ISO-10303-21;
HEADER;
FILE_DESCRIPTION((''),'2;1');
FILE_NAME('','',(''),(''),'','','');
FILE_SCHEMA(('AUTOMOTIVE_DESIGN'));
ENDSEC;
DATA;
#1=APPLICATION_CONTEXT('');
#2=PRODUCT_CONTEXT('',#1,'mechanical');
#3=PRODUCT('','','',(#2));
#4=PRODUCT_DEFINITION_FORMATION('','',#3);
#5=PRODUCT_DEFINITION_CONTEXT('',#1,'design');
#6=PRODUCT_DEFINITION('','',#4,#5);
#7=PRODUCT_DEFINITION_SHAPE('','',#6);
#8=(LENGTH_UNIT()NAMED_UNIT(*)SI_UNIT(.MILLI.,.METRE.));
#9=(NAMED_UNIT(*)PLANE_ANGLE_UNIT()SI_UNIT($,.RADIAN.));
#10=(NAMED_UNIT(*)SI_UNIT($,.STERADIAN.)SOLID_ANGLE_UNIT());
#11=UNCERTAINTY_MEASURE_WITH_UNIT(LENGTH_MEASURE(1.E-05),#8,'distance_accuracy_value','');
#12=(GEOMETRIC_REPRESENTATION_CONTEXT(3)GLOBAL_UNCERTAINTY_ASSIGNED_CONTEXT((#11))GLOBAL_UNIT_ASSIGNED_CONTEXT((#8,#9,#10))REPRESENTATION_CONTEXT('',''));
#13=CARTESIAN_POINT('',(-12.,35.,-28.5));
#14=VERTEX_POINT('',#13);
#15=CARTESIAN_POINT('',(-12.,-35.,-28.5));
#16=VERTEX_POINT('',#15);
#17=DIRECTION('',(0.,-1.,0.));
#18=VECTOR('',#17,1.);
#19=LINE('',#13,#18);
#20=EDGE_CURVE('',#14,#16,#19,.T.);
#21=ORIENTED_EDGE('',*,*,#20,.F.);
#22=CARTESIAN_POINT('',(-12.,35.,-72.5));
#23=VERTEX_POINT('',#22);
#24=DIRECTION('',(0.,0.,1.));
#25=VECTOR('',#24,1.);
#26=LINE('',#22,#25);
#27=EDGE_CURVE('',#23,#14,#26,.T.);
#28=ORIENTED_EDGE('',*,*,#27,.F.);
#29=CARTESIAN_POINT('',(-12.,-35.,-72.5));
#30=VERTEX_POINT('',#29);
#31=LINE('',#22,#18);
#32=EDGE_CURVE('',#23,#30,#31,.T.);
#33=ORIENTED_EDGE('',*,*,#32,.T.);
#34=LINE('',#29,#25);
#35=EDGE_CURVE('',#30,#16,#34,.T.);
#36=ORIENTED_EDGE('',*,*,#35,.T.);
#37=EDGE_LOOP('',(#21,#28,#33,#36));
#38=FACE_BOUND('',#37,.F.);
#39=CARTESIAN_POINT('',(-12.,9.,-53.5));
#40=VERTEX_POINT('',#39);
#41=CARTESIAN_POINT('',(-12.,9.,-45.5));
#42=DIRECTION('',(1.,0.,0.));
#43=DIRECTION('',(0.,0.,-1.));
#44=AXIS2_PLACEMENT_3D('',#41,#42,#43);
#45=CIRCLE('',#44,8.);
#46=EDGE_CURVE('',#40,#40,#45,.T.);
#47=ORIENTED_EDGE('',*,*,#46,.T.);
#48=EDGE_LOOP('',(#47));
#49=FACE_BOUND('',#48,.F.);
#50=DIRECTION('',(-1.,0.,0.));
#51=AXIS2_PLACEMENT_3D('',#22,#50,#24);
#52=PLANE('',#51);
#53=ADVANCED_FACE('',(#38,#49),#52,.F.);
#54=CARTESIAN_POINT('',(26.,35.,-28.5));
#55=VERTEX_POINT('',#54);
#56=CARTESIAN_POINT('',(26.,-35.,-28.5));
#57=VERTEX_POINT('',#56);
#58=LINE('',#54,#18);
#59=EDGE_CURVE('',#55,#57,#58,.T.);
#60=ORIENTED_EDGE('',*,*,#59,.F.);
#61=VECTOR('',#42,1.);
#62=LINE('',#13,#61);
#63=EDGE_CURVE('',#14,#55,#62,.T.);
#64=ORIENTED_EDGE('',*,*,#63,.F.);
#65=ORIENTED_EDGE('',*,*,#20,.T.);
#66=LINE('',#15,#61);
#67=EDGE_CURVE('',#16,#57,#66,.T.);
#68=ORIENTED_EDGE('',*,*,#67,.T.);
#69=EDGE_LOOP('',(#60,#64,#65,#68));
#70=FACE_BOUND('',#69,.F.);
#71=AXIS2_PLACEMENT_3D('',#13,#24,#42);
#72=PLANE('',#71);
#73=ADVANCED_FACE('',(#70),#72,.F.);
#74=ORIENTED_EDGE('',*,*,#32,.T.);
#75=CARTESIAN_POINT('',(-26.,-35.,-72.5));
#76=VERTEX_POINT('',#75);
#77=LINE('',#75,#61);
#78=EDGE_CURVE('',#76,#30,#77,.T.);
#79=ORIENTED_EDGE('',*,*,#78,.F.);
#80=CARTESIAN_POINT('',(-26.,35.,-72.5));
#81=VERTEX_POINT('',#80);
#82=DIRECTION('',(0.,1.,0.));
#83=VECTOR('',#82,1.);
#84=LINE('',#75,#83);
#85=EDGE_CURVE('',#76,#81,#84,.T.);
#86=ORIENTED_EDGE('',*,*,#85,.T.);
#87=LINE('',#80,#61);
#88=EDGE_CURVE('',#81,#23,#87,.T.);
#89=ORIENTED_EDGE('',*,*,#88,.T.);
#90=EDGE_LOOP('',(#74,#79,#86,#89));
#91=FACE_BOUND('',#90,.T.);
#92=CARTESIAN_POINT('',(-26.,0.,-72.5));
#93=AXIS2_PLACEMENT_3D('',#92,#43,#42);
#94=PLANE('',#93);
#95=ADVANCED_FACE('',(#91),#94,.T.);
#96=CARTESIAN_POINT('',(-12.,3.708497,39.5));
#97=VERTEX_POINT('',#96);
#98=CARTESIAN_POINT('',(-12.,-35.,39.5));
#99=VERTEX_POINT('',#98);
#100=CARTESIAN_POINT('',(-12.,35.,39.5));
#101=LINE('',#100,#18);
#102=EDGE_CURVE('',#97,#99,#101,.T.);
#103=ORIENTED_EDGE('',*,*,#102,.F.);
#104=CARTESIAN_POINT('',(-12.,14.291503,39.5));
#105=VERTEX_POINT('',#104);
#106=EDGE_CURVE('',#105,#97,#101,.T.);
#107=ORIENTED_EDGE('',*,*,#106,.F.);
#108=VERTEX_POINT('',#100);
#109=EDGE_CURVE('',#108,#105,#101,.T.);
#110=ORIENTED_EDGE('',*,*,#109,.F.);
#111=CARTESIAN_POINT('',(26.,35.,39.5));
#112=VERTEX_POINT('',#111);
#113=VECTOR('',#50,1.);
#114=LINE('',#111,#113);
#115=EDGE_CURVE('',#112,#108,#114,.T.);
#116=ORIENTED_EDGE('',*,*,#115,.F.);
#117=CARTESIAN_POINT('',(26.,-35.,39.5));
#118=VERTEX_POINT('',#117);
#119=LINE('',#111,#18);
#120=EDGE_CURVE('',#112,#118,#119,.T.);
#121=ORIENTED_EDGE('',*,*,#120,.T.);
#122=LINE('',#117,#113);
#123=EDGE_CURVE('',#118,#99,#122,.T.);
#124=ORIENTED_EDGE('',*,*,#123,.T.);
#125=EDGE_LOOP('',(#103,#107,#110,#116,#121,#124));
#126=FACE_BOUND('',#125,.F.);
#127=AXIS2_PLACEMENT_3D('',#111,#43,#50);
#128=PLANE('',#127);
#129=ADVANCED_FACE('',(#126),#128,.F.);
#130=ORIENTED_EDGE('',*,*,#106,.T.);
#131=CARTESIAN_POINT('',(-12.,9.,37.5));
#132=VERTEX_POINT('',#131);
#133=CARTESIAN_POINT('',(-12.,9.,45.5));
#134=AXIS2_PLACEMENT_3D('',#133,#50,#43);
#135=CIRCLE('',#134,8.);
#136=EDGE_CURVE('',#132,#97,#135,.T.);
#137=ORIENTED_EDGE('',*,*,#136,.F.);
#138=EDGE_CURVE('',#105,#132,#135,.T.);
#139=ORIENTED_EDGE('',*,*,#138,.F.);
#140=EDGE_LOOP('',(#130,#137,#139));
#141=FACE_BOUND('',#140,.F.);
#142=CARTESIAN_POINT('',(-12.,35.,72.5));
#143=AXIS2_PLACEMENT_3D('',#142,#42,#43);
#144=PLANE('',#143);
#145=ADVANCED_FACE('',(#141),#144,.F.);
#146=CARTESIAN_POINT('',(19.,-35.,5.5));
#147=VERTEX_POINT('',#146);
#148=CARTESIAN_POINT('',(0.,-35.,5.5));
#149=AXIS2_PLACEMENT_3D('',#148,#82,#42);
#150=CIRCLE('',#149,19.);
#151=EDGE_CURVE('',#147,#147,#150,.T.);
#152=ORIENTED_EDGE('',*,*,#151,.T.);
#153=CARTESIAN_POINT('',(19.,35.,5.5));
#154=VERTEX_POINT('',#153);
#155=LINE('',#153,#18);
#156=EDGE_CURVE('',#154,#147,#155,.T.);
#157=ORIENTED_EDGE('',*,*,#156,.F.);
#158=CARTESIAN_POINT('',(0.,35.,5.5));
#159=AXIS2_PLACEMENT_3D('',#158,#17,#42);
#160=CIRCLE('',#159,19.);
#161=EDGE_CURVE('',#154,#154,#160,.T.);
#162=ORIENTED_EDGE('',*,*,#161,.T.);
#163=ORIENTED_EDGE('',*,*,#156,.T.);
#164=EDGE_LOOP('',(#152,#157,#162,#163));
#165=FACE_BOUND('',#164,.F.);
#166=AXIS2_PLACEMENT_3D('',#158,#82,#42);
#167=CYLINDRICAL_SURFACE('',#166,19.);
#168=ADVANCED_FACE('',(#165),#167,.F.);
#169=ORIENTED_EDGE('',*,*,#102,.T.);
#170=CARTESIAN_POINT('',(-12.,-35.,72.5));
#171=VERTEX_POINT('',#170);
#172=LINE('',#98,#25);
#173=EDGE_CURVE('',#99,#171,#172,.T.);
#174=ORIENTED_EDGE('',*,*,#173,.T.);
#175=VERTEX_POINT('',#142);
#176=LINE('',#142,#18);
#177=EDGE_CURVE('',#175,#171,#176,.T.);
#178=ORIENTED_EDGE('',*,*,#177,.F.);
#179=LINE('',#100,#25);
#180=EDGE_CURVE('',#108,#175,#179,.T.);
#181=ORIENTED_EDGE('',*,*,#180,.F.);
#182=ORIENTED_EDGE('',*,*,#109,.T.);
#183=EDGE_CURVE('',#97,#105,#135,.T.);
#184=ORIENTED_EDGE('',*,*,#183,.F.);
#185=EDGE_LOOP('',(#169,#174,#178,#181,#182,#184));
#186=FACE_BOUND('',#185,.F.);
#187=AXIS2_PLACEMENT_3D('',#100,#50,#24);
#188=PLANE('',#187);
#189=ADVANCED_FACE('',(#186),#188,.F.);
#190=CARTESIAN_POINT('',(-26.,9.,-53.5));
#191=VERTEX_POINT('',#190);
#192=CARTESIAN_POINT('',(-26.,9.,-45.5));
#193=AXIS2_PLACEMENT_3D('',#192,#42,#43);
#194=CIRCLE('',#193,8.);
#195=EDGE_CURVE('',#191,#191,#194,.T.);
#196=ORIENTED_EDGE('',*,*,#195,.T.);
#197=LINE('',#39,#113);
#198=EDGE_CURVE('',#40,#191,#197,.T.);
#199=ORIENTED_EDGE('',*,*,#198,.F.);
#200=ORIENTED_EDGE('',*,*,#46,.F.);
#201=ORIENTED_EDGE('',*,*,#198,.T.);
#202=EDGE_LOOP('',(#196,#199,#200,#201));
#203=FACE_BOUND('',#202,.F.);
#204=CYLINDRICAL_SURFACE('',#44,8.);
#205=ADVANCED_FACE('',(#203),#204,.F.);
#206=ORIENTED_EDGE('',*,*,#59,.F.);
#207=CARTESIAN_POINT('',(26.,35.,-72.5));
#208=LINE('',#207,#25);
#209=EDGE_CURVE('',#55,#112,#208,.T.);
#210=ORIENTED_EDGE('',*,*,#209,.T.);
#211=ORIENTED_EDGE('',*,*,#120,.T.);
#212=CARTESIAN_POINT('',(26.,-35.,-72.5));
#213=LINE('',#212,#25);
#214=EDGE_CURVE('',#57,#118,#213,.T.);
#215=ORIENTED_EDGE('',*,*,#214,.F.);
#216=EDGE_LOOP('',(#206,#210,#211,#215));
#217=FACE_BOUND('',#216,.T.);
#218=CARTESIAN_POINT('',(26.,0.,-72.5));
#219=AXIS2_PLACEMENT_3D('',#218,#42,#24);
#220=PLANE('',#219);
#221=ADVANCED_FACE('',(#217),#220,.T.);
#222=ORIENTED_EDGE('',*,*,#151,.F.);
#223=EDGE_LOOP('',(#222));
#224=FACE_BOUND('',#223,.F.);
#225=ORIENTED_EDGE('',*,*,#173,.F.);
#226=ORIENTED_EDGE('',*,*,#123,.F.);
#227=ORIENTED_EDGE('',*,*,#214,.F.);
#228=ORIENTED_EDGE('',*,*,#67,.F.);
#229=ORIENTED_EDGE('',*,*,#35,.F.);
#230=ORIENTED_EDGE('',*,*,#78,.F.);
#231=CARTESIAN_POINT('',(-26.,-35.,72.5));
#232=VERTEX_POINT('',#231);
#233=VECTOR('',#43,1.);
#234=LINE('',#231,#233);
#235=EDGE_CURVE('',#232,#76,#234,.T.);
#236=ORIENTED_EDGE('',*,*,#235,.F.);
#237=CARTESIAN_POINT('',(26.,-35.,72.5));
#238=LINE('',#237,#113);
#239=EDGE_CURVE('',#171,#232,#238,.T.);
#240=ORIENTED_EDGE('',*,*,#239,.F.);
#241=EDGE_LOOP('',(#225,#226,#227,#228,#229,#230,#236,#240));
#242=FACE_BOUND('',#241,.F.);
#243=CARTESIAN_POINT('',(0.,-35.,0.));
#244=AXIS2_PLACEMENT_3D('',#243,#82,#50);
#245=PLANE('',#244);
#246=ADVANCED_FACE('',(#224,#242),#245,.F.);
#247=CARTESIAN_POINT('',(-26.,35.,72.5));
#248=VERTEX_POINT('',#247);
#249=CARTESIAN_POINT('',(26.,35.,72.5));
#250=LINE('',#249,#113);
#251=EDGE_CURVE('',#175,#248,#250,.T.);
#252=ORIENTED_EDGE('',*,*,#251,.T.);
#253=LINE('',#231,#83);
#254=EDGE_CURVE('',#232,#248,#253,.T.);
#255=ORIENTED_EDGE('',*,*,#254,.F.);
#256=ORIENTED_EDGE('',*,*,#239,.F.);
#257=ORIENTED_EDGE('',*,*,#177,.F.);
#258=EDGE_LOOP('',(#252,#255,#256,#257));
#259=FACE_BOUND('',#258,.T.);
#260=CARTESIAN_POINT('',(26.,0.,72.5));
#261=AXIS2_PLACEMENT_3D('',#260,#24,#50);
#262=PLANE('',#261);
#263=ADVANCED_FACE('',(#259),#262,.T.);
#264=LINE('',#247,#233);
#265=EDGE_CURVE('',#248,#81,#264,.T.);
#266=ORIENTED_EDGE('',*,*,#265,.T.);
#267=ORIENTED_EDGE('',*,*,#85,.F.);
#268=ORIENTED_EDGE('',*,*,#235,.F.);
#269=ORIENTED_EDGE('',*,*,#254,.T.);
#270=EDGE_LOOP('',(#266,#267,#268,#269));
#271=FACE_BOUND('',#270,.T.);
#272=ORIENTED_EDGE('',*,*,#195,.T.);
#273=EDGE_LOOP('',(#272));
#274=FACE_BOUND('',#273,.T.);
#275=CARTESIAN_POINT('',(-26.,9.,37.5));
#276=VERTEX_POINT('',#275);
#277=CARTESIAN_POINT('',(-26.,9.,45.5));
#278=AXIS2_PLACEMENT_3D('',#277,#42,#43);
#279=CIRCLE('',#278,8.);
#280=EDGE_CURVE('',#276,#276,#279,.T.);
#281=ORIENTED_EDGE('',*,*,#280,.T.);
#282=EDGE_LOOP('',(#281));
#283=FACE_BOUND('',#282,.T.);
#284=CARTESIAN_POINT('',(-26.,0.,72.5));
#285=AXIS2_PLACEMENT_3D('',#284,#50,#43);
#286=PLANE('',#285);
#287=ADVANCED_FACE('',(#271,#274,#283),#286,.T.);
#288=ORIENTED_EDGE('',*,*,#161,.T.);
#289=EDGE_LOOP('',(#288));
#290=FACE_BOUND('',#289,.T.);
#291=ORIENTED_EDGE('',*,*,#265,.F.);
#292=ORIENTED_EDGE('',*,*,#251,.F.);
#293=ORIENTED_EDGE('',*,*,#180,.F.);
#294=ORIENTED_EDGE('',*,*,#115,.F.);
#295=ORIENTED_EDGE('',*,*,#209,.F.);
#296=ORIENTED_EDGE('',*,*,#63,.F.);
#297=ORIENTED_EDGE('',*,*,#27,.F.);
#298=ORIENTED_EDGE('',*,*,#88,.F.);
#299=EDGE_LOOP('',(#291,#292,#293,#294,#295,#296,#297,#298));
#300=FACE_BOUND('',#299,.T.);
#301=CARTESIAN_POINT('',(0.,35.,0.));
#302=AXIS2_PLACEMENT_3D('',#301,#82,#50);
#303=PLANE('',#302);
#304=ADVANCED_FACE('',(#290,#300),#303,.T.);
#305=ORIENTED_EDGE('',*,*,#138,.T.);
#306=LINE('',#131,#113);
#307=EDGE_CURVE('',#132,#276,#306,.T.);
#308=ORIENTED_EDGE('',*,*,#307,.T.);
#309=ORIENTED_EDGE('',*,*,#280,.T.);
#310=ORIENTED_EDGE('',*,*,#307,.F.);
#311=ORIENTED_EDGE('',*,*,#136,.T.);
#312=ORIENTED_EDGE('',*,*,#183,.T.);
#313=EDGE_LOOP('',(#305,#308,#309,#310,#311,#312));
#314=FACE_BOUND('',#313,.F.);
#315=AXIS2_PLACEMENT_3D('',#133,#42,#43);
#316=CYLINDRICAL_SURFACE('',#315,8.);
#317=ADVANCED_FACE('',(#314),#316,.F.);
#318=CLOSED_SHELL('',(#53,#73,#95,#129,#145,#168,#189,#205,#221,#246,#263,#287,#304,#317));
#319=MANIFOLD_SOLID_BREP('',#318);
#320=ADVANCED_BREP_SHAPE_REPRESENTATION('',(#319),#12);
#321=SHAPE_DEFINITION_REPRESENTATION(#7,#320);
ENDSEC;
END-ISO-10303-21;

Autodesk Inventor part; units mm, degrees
ref_plane "YZ Plane" through (0, 0, 0) normal (1, 0, 0) x (0, 1, 0)
ref_plane "XZ Plane" through (0, 0, 0) normal (0, 1, 0) x (-1, 0, 0)
ref_plane "XY Plane" through (0, 0, 0) normal (0, 0, 1) x (1, 0, 0)
sketch "Sketch1" plane through (0, 0, 0) normal (0, 1, 0) x (-1, 0, 0)
  line L0 (26, -72.5) -> (-26, -72.5)
  line L1 (-26, -72.5) -> (-26, 72.5)
  line L2 (-26, 72.5) -> (26, 72.5)
  line L3 (26, 72.5) -> (26, -72.5)
  line L4 (26, -72.5) -> (-26, 72.5) construction
  line L5 (-26, -72.5) -> (26, 72.5) construction
  point P0 (0, 0)
  dimension "d0" = 52
  dimension "d1" = 145
extrude "Extrusion1" add sketch "Sketch1" along normal mid plane 70
sketch "Sketch2" plane through (0, 35, 0) normal (0, 1, 0) x (1, 0, 0)
  line L0 (26, -72.5) -> (26, 72.5) projected
  line L1 (26, 72.5) -> (-12, 72.5)
  line L2 (26, 72.5) -> (-26, 72.5) projected
  line L3 (-12, 72.5) -> (-12, 28.5)
  line L4 (-12, 28.5) -> (26, 28.5)
  line L5 (26, 28.5) -> (26, -39.5)
  line L6 (-26, -72.5) -> (26, -72.5) projected
  line L7 (26, -39.5) -> (-12, -39.5)
  line L8 (-12, -39.5) -> (-12, -72.5)
  point P0 (0, 0)
  point P1 (-12, -37.5)
  dimension "d4" = 38
  dimension "d5" = 44
  dimension "d6" = 68
extrude "Extrusion2" cut sketch "Sketch2" against normal blind 70
sketch "Sketch3" plane through (-12, 35, 72.5) normal (1, 0, 0) x (0, 0, -1)
  line L0 (145, 0) -> (0, 0) projected
  line L1 (0, 0) -> (0, -26)
  line L2 (0, 0) -> (0, -70) projected
  line L3 (0, -26) -> (27, -26)
  circle A0 centre (27, -26) radius 8
  line L4 (145, 0) -> (145, -26)
  line L5 (145, 0) -> (145, -70) projected
  line L6 (145, -26) -> (118, -26)
  circle A1 centre (118, -26) radius 8
  point P0 (72.5, -35)
  dimension "d9" = 26
  dimension "d10" = 27
  dimension "d11" = 16
  dimension "d12" = 26
  dimension "d13" = 27
  dimension "d14" = 16
extrude "Extrusion3" cut sketch "Sketch3" against normal blind 70
sketch "Sketch4" plane through (0, 35, 0) normal (0, 1, 0) x (1, 0, 0)
  line L0 (26, 28.5) -> (26, -39.5) projected
  line L1 (26, -39.5) -> (0, -39.5)
  line L2 (0, -39.5) -> (0, -5.5)
  circle A0 centre (0, -5.5) radius 19
  point P0 (0, 0)
  dimension "d17" = 34
  dimension "d18" = 38
extrude "Extrusion4" cut sketch "Sketch4" against normal blind 70
properties part number "carriage"
